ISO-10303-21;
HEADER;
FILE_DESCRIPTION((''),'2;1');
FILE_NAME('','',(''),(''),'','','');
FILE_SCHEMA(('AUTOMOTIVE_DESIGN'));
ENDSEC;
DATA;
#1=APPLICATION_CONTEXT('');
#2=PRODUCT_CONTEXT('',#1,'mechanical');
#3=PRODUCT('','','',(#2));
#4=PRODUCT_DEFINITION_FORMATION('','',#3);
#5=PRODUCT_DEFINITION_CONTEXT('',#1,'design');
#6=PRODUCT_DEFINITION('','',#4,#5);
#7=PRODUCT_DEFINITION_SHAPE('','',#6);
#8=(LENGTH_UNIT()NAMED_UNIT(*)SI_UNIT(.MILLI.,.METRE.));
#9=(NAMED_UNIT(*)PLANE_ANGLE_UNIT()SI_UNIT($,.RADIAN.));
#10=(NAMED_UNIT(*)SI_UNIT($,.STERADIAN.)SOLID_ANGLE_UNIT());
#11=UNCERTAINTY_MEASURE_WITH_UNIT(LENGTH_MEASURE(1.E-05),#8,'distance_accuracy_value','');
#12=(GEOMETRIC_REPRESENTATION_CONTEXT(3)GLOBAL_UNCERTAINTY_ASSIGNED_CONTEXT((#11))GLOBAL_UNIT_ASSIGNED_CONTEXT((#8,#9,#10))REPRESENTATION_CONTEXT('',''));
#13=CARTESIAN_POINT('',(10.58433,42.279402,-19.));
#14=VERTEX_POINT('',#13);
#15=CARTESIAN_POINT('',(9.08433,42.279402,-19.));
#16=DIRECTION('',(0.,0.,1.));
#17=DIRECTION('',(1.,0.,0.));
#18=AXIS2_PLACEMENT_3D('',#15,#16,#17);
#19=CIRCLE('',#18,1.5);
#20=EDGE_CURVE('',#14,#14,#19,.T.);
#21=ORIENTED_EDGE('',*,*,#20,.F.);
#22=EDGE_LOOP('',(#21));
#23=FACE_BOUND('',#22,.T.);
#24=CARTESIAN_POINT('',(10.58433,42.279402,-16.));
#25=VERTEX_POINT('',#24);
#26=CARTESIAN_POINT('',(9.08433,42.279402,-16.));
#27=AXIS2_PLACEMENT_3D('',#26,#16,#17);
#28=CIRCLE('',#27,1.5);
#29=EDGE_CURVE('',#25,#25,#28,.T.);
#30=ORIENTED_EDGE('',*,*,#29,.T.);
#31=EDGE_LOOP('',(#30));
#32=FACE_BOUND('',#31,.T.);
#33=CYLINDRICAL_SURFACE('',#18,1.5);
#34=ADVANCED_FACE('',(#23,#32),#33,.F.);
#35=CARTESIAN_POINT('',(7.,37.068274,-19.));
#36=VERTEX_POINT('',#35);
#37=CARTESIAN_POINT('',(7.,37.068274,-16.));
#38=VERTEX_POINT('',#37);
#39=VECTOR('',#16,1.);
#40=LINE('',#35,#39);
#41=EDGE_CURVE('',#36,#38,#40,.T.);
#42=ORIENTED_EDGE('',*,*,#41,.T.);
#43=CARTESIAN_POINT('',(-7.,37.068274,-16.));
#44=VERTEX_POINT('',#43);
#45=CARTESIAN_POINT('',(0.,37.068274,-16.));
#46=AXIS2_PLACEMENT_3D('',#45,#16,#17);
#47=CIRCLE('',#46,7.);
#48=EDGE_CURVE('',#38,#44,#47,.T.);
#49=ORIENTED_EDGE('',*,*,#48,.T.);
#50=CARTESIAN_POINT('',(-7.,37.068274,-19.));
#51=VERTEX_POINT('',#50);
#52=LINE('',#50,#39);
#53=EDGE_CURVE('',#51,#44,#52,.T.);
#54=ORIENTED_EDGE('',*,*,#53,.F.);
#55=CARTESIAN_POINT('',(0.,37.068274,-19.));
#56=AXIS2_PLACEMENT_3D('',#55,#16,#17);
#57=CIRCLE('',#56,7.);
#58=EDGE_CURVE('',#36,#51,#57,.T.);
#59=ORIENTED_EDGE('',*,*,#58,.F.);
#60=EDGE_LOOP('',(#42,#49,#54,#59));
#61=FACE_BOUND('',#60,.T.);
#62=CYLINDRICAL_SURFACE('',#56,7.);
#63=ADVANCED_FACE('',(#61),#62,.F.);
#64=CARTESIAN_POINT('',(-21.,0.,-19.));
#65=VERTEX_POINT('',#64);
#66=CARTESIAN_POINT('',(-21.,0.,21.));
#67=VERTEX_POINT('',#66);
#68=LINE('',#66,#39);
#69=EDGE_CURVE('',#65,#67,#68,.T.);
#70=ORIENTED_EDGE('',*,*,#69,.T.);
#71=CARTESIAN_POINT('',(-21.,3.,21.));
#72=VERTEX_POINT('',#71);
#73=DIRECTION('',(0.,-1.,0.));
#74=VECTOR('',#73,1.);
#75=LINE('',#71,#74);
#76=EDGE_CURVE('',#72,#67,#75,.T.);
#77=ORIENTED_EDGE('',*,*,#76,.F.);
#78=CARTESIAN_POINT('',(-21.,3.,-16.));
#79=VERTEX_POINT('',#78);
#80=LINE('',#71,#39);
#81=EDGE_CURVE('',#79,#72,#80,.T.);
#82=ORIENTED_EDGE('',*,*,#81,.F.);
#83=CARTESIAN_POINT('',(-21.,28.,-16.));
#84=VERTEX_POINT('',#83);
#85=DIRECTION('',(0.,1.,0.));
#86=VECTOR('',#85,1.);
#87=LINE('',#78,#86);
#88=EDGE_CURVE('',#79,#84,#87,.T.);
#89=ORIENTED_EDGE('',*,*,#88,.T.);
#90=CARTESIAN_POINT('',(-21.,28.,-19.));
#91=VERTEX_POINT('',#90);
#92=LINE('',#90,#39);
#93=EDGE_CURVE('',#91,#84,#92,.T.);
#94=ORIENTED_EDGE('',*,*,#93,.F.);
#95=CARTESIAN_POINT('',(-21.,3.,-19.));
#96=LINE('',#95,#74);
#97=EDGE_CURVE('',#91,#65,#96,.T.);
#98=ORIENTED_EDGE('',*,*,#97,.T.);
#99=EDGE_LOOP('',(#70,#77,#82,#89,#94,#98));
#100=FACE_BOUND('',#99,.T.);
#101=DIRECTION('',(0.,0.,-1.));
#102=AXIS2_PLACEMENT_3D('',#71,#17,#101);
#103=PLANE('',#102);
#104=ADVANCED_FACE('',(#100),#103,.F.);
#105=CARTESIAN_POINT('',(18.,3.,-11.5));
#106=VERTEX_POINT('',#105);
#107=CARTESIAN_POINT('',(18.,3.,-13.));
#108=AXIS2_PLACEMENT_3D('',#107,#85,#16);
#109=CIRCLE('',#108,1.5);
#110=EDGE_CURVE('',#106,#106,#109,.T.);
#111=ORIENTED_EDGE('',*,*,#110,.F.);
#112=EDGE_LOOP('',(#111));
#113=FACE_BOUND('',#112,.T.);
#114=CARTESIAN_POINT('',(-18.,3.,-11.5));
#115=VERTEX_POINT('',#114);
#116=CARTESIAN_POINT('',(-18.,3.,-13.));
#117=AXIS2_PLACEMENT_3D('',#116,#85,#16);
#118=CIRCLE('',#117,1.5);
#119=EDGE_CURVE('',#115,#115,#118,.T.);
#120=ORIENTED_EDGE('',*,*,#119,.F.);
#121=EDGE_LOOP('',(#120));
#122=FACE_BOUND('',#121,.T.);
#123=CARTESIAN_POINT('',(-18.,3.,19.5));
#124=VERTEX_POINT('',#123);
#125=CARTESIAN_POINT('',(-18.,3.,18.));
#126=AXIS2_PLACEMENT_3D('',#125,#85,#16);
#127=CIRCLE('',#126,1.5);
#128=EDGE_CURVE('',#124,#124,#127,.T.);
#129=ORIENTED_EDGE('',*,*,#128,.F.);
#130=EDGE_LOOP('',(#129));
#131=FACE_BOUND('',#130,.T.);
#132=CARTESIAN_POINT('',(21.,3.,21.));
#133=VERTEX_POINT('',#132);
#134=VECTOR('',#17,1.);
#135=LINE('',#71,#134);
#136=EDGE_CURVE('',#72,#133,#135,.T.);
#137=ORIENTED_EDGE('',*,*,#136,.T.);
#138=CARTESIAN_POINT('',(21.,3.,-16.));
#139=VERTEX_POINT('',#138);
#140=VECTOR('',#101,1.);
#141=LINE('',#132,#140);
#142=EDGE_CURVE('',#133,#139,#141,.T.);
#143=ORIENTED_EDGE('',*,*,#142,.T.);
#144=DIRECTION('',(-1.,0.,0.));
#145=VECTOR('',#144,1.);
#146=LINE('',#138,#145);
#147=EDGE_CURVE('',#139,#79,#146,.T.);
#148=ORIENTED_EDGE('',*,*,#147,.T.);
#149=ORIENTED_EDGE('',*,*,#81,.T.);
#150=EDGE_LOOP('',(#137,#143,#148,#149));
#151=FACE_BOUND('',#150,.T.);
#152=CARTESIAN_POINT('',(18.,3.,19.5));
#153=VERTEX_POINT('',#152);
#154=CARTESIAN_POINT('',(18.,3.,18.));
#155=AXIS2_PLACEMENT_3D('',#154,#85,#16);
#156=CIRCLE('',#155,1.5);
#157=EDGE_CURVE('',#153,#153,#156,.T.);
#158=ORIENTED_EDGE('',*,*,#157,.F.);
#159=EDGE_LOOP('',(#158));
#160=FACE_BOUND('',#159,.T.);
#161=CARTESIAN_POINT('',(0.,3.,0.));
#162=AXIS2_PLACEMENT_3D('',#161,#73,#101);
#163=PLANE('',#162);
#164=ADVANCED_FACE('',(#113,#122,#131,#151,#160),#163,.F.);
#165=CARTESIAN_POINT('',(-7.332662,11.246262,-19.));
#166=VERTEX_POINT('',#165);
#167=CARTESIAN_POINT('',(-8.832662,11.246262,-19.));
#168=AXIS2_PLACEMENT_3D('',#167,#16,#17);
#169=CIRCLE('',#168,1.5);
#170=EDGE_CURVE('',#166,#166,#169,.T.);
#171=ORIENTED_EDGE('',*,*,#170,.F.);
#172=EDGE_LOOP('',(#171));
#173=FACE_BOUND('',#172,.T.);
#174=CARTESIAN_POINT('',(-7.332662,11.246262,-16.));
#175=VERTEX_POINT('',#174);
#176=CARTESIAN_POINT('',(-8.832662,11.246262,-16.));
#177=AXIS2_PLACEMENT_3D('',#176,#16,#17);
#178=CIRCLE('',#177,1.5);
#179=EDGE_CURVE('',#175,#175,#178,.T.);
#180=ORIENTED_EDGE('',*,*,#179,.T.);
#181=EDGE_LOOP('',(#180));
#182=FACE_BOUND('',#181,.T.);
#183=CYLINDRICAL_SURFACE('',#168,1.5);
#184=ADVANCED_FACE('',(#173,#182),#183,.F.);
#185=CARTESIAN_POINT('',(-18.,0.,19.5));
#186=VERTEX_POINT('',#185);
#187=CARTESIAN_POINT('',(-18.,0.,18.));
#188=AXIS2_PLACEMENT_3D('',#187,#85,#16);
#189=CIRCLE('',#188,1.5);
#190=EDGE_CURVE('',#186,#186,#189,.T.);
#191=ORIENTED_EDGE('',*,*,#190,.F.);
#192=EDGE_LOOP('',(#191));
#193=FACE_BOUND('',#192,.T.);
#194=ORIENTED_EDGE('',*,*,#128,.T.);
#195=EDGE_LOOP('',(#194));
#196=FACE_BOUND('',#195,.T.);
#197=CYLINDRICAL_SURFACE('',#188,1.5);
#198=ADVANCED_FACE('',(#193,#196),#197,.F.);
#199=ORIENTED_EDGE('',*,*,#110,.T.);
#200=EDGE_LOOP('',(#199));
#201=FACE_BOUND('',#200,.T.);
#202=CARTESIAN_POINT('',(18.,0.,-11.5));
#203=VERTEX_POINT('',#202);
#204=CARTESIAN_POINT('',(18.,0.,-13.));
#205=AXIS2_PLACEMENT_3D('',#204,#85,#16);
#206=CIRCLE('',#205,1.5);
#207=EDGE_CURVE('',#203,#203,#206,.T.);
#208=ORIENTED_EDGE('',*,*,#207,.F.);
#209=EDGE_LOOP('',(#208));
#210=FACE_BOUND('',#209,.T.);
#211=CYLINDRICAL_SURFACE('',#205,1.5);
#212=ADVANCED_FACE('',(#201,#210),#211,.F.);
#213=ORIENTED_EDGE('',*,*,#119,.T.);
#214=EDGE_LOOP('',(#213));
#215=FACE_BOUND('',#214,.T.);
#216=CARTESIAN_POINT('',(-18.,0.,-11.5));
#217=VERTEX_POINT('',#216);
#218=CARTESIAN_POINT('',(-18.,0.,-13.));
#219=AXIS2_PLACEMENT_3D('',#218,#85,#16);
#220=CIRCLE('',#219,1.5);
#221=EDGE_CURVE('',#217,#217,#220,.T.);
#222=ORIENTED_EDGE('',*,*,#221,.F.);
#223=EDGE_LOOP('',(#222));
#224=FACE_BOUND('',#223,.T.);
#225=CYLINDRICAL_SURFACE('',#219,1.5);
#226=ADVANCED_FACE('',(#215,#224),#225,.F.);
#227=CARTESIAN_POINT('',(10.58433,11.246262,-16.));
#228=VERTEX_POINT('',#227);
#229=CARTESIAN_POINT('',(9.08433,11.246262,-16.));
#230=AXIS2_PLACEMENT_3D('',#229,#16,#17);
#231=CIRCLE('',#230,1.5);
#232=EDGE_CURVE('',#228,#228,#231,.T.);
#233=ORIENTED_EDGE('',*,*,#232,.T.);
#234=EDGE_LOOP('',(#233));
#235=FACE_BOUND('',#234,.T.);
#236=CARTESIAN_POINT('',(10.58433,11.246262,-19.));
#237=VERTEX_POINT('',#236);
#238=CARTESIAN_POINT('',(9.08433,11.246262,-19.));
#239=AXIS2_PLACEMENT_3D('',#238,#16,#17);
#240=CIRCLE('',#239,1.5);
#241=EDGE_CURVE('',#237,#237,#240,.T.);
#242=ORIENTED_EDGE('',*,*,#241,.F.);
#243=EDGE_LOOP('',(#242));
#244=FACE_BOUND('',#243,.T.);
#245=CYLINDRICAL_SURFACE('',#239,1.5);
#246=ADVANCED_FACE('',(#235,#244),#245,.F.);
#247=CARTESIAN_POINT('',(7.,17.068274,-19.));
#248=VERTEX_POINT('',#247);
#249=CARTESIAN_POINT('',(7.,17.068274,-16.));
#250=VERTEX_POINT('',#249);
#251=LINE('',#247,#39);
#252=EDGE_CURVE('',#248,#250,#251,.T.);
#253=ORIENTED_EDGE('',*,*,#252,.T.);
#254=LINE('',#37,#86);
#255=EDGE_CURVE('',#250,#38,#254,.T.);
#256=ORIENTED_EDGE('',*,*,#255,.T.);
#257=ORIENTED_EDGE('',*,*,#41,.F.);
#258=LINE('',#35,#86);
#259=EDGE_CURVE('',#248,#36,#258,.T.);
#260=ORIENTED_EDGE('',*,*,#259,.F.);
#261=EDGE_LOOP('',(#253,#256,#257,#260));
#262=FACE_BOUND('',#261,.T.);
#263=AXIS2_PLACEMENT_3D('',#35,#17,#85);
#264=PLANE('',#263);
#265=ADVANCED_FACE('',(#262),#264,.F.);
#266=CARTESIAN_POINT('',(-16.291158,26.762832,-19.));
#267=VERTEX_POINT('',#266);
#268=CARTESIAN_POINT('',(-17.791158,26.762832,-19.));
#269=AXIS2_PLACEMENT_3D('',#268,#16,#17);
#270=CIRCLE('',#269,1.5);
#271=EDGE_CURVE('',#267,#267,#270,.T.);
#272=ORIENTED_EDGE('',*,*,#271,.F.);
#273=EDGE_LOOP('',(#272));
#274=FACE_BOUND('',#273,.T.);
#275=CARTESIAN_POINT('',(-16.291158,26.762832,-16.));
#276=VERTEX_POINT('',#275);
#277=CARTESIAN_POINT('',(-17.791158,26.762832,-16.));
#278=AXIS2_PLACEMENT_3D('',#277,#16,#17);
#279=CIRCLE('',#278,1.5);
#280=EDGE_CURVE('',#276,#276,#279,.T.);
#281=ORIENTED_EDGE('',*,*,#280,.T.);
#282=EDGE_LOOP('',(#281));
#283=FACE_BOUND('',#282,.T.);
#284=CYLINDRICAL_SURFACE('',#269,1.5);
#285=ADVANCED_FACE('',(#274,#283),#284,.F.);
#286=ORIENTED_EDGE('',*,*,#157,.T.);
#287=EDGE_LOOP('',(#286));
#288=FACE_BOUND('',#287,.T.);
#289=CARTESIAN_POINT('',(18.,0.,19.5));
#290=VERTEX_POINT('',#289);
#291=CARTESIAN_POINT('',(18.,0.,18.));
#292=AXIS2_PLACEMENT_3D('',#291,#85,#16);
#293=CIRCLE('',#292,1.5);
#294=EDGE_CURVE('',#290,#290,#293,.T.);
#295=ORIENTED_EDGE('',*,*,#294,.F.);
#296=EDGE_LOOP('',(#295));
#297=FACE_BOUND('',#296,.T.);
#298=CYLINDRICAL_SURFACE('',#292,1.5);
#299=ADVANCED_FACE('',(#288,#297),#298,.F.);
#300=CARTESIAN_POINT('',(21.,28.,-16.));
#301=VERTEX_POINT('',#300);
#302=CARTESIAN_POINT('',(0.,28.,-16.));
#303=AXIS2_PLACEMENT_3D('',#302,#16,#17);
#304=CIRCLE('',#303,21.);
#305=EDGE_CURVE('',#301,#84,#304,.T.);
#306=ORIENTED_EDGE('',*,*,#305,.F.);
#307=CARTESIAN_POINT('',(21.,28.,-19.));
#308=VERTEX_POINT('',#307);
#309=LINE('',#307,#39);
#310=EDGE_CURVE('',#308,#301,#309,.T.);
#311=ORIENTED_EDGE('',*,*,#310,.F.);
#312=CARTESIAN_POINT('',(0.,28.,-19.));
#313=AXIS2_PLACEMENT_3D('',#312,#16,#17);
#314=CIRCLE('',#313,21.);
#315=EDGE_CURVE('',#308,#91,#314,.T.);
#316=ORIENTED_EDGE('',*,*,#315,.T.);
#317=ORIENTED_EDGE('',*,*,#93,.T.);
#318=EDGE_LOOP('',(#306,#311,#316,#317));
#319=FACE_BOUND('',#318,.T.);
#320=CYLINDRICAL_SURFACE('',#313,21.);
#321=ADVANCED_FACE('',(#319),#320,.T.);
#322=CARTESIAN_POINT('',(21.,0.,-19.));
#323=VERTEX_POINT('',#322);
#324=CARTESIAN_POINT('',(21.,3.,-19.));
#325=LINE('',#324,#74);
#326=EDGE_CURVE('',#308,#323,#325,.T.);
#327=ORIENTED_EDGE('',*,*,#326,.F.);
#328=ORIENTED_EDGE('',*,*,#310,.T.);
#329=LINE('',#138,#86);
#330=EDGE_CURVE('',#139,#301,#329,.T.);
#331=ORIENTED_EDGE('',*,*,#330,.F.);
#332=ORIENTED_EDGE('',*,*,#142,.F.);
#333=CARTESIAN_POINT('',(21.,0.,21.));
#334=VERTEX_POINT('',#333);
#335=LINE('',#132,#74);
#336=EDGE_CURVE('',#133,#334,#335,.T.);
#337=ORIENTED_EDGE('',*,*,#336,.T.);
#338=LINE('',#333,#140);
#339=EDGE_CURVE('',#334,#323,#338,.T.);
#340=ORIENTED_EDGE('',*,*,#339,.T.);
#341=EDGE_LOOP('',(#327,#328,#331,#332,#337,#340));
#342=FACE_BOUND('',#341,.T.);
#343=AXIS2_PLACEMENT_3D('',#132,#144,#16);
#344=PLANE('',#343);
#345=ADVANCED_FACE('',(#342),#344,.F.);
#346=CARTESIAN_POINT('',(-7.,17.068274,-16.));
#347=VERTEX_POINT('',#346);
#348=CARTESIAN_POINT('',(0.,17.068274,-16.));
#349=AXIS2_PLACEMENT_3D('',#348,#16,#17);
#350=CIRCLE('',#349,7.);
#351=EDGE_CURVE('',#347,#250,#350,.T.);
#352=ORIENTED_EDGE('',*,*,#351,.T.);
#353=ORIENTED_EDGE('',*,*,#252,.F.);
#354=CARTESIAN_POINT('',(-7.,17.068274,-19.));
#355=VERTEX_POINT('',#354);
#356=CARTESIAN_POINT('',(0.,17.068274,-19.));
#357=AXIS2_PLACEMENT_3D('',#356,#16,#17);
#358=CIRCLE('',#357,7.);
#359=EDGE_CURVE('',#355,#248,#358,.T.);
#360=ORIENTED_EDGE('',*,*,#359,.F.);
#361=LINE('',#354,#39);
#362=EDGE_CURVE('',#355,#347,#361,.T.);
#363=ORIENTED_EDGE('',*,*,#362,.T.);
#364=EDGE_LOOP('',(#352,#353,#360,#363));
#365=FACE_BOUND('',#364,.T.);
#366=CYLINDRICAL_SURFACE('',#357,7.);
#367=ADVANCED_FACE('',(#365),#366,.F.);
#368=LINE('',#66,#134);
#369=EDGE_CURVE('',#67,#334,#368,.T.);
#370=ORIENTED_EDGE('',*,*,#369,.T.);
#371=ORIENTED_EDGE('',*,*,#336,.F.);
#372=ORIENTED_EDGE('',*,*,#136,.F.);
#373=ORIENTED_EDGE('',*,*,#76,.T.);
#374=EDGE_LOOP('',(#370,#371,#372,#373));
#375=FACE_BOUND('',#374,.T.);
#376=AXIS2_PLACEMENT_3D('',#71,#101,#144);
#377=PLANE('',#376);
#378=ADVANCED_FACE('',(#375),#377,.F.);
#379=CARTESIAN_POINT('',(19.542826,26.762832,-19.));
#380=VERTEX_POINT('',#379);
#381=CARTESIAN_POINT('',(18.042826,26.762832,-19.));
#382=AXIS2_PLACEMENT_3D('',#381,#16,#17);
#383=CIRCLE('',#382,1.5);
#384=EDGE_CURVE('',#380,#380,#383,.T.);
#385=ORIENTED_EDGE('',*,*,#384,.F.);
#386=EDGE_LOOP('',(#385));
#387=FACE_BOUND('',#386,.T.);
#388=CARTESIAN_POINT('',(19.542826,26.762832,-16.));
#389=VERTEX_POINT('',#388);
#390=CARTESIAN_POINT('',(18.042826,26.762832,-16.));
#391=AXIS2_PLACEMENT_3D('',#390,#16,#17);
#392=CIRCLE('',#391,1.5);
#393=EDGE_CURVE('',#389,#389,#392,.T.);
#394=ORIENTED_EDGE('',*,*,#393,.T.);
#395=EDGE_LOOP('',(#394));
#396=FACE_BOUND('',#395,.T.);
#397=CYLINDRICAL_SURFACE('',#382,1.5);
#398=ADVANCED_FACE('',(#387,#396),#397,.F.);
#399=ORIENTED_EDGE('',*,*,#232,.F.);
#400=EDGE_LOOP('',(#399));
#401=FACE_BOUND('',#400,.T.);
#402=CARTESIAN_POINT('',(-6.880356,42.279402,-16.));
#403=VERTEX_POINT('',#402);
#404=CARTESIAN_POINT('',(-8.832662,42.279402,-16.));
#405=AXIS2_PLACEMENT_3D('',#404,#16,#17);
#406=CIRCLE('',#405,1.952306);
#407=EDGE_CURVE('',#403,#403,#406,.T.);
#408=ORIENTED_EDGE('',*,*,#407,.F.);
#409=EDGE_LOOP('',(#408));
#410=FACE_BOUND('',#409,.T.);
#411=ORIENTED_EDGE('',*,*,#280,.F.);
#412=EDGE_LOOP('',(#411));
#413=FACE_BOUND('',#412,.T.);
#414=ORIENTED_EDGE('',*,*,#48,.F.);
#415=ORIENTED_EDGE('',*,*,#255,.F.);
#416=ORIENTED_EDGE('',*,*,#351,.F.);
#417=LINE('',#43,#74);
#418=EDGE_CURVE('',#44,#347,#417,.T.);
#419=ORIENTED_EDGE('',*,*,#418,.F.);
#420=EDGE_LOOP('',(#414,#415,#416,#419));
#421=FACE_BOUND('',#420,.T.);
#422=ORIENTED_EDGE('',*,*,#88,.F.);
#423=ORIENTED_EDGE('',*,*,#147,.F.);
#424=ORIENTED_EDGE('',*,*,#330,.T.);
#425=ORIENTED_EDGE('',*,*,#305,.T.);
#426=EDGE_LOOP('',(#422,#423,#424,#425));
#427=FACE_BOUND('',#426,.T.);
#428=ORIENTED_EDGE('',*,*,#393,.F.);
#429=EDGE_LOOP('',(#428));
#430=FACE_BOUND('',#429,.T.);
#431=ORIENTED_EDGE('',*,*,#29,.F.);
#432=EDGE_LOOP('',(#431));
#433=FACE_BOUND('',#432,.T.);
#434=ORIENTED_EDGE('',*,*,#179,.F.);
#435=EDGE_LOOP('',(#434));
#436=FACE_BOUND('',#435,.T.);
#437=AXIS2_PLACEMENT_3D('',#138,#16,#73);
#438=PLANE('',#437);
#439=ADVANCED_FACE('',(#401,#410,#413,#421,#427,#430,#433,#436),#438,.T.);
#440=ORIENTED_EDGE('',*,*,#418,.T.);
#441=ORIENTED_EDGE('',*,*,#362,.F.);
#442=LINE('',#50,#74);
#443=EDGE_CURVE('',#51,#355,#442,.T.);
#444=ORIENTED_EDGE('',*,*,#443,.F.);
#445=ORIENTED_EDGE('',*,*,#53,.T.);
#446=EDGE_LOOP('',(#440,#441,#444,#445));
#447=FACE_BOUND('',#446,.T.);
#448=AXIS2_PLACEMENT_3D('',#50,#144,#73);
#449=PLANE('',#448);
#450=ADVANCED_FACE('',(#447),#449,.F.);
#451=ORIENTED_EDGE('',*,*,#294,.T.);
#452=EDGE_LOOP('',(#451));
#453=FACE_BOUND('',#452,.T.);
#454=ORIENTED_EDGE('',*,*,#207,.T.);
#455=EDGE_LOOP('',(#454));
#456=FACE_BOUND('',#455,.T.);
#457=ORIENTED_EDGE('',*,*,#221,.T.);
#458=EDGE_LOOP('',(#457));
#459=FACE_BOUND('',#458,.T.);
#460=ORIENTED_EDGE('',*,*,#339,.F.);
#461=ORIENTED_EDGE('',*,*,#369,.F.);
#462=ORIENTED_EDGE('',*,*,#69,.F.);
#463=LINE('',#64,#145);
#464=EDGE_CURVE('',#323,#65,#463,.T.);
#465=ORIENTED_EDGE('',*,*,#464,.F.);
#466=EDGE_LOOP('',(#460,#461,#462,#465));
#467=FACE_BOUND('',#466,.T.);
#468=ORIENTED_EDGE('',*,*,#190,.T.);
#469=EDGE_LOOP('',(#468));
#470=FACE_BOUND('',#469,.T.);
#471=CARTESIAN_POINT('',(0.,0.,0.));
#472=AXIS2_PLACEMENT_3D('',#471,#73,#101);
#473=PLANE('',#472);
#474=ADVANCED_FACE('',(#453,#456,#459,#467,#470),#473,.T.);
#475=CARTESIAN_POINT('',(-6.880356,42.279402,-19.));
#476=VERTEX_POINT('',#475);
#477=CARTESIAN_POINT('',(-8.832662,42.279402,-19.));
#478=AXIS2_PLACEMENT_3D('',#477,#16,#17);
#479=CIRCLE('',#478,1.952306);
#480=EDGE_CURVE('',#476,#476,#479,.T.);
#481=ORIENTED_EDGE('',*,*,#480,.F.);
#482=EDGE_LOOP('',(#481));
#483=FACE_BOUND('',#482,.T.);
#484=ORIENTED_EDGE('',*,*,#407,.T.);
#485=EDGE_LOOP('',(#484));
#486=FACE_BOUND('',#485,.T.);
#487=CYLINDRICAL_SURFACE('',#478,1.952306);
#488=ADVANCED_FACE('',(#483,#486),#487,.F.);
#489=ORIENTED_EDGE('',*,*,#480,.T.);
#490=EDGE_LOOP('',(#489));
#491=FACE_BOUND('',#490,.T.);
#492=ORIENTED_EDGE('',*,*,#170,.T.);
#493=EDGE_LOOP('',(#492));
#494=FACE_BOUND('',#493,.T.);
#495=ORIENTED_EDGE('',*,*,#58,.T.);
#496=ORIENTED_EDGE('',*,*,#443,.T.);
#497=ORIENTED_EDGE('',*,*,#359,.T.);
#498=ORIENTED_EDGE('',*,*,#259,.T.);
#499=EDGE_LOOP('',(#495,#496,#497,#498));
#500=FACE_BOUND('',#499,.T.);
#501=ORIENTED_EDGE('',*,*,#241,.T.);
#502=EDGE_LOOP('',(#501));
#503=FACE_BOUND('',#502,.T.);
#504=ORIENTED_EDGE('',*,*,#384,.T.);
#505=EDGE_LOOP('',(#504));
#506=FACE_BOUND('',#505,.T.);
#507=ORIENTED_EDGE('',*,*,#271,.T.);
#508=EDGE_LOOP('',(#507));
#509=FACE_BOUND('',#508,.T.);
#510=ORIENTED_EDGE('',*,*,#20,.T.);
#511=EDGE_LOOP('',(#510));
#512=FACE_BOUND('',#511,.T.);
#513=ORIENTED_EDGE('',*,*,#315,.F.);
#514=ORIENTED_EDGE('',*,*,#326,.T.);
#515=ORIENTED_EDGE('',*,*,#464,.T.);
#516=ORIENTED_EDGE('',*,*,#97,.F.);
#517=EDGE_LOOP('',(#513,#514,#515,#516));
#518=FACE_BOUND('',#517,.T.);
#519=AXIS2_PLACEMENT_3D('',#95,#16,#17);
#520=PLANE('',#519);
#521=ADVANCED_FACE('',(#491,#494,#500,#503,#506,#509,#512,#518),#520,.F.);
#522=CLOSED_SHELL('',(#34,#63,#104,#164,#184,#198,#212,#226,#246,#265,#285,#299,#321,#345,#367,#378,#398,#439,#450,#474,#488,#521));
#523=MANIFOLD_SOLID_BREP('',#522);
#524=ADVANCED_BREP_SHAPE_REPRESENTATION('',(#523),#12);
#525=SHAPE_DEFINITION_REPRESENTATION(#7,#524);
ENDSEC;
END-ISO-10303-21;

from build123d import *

# Parameters (mm, degrees)
SKETCH_4_W           = 42
SKETCH_4_H           = 40
EXTRUDE_1_DEPTH      = 3
SKETCH_9_W           = 3
SKETCH_9_H           = 25
EXTRUDE_3_DEPTH      = 42
SKETCH_10_R          = 21
EXTRUDE_2_DEPTH      = 3
CUT_EXTRUDE_6_DEPTH  = 3
SKETCH_16_R          = 1.5
CUT_EXTRUDE_7_DEPTH  = 3
SKETCH_14_R          = 1.952306129
CUT_EXTRUDE_8_DEPTH  = 3
SKETCH_17_R          = 1.5
CUT_EXTRUDE_10_DEPTH = 3


with BuildPart() as part:
    # 草图4 → 凸台-拉伸1 (new body)
    with BuildSketch(Plane(origin=(0, 0, 0), x_dir=(1, 0, 0), z_dir=(0, 1, 0))):
        with Locations((0, -1)):
            Rectangle(SKETCH_4_W, SKETCH_4_H)
    extrude(amount=EXTRUDE_1_DEPTH)

    # 草图9 → 拉伸-薄壁3 (add)
    with BuildSketch(Plane.ZY.offset(21)):
        with Locations((-17.5, 15.5)):
            Rectangle(SKETCH_9_W, SKETCH_9_H)
    extrude(amount=-EXTRUDE_3_DEPTH)

    # 草图10 → 凸台-拉伸2 (add)
    with BuildSketch(Plane.XY.offset(-16)):
        with Locations((0, 28)):
            Circle(SKETCH_10_R)
    extrude(amount=-EXTRUDE_2_DEPTH)

    # 草图11 → 切除-拉伸6 (cut)
    with BuildSketch(Plane.XY.offset(-16)):
        with BuildLine():
            Line((-7, 37.068273953), (-7, 17.068273953))
            ThreePointArc((-7, 17.068273953), (0, 10.068273953), (7, 17.068273953))
            Line((7, 17.068273953), (7, 37.068273953))
            ThreePointArc((7, 37.068273953), (0, 44.068273953), (-7, 37.068273953))
        make_face()
    extrude(amount=-CUT_EXTRUDE_6_DEPTH, mode=Mode.SUBTRACT)

    # 草图16 → 切除-拉伸7 (cut)
    with BuildSketch(Plane.XY.offset(-16)):
        with Locations((-8.832661919, 42.279402206)):
            Circle(SKETCH_16_R)
        with Locations((-17.791157853, 26.76283209)):
            Circle(SKETCH_16_R)
        with Locations((-8.832661919, 11.246261974)):
            Circle(SKETCH_16_R)
        with Locations((9.084329947, 11.246261974)):
            Circle(SKETCH_16_R)
        with Locations((18.04282588, 26.76283209)):
            Circle(SKETCH_16_R)
        with Locations((9.084329947, 42.279402206)):
            Circle(SKETCH_16_R)
    extrude(amount=-CUT_EXTRUDE_7_DEPTH, mode=Mode.SUBTRACT)

    # 草图14 → 切除-拉伸8 (cut)
    with BuildSketch(Plane.XY.offset(-16)):
        with Locations((-8.832661919, 42.279402206)):
            Circle(SKETCH_14_R)
    extrude(amount=-CUT_EXTRUDE_8_DEPTH, mode=Mode.SUBTRACT)

    # 草图17 → 切除-拉伸10 (cut)
    with BuildSketch(Plane(origin=(0, 3, 0), x_dir=(1, 0, 0), z_dir=(0, 1, 0))):
        with Locations((-18, 13)):
            Circle(SKETCH_17_R)
        with Locations((18, 13)):
            Circle(SKETCH_17_R)
        with Locations((-18, -18)):
            Circle(SKETCH_17_R)
        with Locations((18, -18)):
            Circle(SKETCH_17_R)
    extrude(amount=-CUT_EXTRUDE_10_DEPTH, mode=Mode.SUBTRACT)


solid = part.part
